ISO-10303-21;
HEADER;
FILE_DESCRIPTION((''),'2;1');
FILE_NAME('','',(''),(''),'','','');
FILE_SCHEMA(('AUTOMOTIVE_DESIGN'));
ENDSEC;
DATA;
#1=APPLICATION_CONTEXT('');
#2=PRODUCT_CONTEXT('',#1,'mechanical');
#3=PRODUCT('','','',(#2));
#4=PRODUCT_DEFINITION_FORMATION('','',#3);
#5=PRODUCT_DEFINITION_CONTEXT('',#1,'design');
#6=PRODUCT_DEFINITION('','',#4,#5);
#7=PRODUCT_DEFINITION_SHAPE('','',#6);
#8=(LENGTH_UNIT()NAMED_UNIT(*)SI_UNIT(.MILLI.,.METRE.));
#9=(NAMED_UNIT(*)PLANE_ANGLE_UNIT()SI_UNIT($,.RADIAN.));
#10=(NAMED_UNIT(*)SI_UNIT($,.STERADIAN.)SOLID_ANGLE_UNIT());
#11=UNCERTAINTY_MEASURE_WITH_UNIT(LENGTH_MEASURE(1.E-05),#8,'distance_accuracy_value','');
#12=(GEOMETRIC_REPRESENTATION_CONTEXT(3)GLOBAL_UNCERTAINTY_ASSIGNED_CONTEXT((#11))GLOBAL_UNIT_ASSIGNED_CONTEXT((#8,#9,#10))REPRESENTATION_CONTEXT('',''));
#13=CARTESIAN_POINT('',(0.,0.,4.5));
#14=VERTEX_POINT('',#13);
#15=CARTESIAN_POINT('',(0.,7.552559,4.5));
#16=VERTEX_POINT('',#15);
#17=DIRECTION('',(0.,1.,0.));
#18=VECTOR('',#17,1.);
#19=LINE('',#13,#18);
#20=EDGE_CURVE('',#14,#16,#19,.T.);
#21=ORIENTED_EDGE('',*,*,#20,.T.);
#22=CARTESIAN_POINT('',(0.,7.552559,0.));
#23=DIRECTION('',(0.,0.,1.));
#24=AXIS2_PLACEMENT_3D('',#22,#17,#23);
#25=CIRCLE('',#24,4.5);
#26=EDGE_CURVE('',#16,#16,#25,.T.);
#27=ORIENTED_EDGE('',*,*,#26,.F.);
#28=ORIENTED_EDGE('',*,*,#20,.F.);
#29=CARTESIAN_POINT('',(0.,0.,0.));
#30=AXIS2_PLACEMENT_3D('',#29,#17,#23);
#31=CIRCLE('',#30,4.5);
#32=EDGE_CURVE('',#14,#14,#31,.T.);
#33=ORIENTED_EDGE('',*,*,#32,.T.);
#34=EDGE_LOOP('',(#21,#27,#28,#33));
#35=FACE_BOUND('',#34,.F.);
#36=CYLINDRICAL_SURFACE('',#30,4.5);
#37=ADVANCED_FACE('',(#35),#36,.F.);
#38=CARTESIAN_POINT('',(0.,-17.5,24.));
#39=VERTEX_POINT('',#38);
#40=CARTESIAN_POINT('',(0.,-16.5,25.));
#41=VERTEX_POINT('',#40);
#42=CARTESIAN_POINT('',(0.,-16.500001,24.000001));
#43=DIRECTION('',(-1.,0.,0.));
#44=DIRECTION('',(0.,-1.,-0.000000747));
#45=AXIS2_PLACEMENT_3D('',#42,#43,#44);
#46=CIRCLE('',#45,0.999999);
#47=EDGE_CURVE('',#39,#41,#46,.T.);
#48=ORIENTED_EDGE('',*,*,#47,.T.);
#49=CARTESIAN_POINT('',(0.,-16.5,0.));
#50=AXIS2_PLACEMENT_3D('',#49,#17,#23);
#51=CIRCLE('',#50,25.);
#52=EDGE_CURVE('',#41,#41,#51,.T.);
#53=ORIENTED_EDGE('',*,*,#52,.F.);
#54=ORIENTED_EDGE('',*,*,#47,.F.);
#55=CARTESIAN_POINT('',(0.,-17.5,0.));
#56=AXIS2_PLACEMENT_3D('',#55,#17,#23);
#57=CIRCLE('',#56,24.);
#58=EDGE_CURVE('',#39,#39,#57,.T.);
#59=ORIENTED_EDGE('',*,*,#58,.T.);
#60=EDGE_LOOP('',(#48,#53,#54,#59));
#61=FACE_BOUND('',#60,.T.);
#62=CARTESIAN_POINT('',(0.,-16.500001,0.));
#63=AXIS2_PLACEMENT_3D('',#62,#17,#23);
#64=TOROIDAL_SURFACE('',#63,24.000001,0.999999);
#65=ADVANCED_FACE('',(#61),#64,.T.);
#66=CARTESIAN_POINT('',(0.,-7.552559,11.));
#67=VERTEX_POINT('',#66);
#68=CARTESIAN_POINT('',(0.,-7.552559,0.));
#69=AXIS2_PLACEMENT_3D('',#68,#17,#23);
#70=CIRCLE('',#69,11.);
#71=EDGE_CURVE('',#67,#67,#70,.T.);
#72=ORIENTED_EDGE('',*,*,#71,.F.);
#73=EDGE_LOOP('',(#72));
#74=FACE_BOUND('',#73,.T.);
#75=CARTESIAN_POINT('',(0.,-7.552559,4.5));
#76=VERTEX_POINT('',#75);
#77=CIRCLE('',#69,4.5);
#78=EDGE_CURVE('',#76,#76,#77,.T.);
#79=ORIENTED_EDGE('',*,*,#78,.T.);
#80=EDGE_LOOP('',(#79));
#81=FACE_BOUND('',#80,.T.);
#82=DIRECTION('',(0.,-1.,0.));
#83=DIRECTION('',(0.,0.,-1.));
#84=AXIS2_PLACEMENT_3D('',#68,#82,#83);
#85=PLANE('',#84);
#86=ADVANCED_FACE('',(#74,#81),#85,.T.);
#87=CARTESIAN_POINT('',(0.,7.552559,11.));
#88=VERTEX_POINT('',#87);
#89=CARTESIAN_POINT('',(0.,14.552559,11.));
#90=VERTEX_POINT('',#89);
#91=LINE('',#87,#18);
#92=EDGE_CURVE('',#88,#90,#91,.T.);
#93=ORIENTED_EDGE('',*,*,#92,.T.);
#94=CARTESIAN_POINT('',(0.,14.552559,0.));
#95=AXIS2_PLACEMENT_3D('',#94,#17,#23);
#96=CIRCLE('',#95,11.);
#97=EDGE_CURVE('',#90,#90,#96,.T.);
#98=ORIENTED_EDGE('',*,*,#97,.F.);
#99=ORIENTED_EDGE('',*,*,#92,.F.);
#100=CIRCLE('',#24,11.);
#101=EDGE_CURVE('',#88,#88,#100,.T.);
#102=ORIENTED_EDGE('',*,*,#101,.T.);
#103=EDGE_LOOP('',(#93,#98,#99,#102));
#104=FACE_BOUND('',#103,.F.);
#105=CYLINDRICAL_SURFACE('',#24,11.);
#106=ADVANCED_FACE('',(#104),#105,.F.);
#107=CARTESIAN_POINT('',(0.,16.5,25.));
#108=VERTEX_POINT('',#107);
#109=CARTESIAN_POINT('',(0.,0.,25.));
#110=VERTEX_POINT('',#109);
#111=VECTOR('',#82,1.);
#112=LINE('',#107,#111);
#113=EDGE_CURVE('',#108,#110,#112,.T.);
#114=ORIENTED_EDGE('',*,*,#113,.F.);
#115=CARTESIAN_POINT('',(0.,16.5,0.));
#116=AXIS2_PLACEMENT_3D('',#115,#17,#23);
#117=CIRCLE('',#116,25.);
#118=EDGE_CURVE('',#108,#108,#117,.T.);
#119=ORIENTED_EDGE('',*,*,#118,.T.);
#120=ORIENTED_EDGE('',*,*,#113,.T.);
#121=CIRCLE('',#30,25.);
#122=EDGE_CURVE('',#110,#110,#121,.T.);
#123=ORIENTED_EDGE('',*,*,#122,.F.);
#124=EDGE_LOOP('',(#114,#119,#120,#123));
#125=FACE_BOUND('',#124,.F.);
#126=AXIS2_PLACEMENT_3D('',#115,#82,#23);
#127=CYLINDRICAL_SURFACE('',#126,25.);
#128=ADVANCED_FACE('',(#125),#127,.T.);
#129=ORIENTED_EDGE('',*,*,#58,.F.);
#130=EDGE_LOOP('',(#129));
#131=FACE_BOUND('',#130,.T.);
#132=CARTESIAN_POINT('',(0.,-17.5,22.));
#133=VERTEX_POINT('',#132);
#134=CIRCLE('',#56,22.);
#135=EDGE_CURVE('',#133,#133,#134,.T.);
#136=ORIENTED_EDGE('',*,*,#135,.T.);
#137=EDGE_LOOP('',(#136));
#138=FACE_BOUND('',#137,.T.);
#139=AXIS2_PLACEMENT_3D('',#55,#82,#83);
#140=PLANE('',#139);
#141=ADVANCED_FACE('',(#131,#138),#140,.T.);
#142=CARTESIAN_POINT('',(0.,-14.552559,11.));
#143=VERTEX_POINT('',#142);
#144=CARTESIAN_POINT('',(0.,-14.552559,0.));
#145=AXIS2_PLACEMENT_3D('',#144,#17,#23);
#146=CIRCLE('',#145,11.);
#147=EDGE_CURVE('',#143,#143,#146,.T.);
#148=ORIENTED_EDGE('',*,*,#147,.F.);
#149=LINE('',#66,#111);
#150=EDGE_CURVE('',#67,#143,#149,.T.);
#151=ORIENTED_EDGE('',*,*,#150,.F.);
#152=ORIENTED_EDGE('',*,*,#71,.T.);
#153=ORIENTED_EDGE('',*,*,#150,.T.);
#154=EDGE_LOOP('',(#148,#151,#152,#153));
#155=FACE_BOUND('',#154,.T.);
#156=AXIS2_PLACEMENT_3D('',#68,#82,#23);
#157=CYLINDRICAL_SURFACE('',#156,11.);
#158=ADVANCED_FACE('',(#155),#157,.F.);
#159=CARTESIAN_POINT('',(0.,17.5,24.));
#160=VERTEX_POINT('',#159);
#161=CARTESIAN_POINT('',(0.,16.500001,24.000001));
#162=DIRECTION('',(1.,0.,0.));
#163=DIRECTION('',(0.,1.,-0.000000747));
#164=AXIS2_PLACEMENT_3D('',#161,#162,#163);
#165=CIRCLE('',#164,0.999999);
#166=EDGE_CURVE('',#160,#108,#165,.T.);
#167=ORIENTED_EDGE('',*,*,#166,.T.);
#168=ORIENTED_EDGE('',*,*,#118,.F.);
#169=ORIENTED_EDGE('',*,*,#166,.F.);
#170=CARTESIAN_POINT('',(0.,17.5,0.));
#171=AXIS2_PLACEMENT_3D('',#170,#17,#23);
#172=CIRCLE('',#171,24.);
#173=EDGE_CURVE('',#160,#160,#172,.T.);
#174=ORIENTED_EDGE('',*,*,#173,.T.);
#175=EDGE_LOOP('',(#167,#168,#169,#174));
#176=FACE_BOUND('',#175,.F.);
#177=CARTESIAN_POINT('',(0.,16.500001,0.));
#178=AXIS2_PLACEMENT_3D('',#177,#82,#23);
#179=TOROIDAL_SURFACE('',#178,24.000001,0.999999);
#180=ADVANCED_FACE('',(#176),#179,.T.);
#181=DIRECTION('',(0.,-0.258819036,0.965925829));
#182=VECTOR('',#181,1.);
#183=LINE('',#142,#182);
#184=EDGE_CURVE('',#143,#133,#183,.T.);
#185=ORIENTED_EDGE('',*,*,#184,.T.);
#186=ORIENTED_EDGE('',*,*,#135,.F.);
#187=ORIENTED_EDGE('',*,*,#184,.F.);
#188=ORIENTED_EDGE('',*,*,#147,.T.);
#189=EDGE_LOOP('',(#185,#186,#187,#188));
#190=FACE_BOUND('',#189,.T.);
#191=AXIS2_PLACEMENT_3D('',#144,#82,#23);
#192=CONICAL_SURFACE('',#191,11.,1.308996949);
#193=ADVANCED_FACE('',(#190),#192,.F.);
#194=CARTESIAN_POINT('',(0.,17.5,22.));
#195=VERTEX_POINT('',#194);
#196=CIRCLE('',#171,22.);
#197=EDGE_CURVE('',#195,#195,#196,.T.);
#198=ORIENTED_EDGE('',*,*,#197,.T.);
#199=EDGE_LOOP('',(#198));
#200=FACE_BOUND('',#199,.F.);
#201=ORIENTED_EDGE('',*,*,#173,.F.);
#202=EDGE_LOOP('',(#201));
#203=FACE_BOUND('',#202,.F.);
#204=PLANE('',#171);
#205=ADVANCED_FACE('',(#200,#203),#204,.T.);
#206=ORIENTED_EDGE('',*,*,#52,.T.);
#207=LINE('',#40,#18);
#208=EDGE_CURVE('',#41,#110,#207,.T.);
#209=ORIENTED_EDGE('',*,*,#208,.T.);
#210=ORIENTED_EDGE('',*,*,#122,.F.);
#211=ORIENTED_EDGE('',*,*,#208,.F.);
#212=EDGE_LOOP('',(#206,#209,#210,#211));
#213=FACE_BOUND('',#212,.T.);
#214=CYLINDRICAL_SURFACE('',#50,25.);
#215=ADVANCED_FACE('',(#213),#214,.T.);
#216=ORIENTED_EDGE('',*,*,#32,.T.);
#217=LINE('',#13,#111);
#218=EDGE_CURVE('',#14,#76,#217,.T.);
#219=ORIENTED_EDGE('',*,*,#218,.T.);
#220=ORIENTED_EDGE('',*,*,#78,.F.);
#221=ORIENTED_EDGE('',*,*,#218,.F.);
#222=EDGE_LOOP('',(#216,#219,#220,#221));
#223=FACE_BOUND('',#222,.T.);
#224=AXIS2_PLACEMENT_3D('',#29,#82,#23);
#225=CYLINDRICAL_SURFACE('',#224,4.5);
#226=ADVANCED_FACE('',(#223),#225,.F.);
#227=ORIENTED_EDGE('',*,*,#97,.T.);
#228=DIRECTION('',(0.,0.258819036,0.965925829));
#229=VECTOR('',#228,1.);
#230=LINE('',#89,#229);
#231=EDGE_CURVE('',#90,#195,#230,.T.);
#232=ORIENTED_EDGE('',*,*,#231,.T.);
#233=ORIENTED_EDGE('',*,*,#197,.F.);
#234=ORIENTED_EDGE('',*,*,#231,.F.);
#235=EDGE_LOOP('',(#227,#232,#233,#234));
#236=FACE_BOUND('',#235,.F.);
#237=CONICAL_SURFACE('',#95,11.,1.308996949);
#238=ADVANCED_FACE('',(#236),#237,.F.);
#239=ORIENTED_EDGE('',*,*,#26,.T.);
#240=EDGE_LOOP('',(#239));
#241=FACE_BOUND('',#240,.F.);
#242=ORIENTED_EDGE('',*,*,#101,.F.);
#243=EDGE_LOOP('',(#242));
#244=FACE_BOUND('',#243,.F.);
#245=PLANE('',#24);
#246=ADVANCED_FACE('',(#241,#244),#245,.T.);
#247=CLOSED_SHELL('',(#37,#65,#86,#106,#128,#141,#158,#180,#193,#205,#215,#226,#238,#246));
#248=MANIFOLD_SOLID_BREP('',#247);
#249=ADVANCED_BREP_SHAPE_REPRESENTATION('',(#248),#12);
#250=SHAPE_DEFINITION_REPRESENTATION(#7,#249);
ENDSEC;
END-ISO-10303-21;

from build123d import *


with BuildPart() as f1:
    # F0 (on Right) → F1 (revolve)
    with BuildSketch(Plane.YZ):
        with BuildLine():
            Line((0, 25), (0, 4.5))
            Line((0, 4.5), (7.552559, 4.5))
            Line((7.552559, 4.5), (7.552559, 11))
            Line((7.552559, 11), (14.552559, 11))
            Line((14.552559, 11), (17.5, 22))
            Line((17.5, 22), (17.5, 24))
            ThreePointArc((17.5, 24), (17.207107, 24.707107), (16.5, 25))
            Line((16.5, 25), (0, 25))
        make_face()
    revolve(axis=Axis((0, 3.776279, 0), (0, 1, 0)))

    # F2: F1 across face


with BuildPart() as f1_1:
    add(f1.part)
    add(f1.part.mirror(Plane.XZ))


solid = f1_1.part
